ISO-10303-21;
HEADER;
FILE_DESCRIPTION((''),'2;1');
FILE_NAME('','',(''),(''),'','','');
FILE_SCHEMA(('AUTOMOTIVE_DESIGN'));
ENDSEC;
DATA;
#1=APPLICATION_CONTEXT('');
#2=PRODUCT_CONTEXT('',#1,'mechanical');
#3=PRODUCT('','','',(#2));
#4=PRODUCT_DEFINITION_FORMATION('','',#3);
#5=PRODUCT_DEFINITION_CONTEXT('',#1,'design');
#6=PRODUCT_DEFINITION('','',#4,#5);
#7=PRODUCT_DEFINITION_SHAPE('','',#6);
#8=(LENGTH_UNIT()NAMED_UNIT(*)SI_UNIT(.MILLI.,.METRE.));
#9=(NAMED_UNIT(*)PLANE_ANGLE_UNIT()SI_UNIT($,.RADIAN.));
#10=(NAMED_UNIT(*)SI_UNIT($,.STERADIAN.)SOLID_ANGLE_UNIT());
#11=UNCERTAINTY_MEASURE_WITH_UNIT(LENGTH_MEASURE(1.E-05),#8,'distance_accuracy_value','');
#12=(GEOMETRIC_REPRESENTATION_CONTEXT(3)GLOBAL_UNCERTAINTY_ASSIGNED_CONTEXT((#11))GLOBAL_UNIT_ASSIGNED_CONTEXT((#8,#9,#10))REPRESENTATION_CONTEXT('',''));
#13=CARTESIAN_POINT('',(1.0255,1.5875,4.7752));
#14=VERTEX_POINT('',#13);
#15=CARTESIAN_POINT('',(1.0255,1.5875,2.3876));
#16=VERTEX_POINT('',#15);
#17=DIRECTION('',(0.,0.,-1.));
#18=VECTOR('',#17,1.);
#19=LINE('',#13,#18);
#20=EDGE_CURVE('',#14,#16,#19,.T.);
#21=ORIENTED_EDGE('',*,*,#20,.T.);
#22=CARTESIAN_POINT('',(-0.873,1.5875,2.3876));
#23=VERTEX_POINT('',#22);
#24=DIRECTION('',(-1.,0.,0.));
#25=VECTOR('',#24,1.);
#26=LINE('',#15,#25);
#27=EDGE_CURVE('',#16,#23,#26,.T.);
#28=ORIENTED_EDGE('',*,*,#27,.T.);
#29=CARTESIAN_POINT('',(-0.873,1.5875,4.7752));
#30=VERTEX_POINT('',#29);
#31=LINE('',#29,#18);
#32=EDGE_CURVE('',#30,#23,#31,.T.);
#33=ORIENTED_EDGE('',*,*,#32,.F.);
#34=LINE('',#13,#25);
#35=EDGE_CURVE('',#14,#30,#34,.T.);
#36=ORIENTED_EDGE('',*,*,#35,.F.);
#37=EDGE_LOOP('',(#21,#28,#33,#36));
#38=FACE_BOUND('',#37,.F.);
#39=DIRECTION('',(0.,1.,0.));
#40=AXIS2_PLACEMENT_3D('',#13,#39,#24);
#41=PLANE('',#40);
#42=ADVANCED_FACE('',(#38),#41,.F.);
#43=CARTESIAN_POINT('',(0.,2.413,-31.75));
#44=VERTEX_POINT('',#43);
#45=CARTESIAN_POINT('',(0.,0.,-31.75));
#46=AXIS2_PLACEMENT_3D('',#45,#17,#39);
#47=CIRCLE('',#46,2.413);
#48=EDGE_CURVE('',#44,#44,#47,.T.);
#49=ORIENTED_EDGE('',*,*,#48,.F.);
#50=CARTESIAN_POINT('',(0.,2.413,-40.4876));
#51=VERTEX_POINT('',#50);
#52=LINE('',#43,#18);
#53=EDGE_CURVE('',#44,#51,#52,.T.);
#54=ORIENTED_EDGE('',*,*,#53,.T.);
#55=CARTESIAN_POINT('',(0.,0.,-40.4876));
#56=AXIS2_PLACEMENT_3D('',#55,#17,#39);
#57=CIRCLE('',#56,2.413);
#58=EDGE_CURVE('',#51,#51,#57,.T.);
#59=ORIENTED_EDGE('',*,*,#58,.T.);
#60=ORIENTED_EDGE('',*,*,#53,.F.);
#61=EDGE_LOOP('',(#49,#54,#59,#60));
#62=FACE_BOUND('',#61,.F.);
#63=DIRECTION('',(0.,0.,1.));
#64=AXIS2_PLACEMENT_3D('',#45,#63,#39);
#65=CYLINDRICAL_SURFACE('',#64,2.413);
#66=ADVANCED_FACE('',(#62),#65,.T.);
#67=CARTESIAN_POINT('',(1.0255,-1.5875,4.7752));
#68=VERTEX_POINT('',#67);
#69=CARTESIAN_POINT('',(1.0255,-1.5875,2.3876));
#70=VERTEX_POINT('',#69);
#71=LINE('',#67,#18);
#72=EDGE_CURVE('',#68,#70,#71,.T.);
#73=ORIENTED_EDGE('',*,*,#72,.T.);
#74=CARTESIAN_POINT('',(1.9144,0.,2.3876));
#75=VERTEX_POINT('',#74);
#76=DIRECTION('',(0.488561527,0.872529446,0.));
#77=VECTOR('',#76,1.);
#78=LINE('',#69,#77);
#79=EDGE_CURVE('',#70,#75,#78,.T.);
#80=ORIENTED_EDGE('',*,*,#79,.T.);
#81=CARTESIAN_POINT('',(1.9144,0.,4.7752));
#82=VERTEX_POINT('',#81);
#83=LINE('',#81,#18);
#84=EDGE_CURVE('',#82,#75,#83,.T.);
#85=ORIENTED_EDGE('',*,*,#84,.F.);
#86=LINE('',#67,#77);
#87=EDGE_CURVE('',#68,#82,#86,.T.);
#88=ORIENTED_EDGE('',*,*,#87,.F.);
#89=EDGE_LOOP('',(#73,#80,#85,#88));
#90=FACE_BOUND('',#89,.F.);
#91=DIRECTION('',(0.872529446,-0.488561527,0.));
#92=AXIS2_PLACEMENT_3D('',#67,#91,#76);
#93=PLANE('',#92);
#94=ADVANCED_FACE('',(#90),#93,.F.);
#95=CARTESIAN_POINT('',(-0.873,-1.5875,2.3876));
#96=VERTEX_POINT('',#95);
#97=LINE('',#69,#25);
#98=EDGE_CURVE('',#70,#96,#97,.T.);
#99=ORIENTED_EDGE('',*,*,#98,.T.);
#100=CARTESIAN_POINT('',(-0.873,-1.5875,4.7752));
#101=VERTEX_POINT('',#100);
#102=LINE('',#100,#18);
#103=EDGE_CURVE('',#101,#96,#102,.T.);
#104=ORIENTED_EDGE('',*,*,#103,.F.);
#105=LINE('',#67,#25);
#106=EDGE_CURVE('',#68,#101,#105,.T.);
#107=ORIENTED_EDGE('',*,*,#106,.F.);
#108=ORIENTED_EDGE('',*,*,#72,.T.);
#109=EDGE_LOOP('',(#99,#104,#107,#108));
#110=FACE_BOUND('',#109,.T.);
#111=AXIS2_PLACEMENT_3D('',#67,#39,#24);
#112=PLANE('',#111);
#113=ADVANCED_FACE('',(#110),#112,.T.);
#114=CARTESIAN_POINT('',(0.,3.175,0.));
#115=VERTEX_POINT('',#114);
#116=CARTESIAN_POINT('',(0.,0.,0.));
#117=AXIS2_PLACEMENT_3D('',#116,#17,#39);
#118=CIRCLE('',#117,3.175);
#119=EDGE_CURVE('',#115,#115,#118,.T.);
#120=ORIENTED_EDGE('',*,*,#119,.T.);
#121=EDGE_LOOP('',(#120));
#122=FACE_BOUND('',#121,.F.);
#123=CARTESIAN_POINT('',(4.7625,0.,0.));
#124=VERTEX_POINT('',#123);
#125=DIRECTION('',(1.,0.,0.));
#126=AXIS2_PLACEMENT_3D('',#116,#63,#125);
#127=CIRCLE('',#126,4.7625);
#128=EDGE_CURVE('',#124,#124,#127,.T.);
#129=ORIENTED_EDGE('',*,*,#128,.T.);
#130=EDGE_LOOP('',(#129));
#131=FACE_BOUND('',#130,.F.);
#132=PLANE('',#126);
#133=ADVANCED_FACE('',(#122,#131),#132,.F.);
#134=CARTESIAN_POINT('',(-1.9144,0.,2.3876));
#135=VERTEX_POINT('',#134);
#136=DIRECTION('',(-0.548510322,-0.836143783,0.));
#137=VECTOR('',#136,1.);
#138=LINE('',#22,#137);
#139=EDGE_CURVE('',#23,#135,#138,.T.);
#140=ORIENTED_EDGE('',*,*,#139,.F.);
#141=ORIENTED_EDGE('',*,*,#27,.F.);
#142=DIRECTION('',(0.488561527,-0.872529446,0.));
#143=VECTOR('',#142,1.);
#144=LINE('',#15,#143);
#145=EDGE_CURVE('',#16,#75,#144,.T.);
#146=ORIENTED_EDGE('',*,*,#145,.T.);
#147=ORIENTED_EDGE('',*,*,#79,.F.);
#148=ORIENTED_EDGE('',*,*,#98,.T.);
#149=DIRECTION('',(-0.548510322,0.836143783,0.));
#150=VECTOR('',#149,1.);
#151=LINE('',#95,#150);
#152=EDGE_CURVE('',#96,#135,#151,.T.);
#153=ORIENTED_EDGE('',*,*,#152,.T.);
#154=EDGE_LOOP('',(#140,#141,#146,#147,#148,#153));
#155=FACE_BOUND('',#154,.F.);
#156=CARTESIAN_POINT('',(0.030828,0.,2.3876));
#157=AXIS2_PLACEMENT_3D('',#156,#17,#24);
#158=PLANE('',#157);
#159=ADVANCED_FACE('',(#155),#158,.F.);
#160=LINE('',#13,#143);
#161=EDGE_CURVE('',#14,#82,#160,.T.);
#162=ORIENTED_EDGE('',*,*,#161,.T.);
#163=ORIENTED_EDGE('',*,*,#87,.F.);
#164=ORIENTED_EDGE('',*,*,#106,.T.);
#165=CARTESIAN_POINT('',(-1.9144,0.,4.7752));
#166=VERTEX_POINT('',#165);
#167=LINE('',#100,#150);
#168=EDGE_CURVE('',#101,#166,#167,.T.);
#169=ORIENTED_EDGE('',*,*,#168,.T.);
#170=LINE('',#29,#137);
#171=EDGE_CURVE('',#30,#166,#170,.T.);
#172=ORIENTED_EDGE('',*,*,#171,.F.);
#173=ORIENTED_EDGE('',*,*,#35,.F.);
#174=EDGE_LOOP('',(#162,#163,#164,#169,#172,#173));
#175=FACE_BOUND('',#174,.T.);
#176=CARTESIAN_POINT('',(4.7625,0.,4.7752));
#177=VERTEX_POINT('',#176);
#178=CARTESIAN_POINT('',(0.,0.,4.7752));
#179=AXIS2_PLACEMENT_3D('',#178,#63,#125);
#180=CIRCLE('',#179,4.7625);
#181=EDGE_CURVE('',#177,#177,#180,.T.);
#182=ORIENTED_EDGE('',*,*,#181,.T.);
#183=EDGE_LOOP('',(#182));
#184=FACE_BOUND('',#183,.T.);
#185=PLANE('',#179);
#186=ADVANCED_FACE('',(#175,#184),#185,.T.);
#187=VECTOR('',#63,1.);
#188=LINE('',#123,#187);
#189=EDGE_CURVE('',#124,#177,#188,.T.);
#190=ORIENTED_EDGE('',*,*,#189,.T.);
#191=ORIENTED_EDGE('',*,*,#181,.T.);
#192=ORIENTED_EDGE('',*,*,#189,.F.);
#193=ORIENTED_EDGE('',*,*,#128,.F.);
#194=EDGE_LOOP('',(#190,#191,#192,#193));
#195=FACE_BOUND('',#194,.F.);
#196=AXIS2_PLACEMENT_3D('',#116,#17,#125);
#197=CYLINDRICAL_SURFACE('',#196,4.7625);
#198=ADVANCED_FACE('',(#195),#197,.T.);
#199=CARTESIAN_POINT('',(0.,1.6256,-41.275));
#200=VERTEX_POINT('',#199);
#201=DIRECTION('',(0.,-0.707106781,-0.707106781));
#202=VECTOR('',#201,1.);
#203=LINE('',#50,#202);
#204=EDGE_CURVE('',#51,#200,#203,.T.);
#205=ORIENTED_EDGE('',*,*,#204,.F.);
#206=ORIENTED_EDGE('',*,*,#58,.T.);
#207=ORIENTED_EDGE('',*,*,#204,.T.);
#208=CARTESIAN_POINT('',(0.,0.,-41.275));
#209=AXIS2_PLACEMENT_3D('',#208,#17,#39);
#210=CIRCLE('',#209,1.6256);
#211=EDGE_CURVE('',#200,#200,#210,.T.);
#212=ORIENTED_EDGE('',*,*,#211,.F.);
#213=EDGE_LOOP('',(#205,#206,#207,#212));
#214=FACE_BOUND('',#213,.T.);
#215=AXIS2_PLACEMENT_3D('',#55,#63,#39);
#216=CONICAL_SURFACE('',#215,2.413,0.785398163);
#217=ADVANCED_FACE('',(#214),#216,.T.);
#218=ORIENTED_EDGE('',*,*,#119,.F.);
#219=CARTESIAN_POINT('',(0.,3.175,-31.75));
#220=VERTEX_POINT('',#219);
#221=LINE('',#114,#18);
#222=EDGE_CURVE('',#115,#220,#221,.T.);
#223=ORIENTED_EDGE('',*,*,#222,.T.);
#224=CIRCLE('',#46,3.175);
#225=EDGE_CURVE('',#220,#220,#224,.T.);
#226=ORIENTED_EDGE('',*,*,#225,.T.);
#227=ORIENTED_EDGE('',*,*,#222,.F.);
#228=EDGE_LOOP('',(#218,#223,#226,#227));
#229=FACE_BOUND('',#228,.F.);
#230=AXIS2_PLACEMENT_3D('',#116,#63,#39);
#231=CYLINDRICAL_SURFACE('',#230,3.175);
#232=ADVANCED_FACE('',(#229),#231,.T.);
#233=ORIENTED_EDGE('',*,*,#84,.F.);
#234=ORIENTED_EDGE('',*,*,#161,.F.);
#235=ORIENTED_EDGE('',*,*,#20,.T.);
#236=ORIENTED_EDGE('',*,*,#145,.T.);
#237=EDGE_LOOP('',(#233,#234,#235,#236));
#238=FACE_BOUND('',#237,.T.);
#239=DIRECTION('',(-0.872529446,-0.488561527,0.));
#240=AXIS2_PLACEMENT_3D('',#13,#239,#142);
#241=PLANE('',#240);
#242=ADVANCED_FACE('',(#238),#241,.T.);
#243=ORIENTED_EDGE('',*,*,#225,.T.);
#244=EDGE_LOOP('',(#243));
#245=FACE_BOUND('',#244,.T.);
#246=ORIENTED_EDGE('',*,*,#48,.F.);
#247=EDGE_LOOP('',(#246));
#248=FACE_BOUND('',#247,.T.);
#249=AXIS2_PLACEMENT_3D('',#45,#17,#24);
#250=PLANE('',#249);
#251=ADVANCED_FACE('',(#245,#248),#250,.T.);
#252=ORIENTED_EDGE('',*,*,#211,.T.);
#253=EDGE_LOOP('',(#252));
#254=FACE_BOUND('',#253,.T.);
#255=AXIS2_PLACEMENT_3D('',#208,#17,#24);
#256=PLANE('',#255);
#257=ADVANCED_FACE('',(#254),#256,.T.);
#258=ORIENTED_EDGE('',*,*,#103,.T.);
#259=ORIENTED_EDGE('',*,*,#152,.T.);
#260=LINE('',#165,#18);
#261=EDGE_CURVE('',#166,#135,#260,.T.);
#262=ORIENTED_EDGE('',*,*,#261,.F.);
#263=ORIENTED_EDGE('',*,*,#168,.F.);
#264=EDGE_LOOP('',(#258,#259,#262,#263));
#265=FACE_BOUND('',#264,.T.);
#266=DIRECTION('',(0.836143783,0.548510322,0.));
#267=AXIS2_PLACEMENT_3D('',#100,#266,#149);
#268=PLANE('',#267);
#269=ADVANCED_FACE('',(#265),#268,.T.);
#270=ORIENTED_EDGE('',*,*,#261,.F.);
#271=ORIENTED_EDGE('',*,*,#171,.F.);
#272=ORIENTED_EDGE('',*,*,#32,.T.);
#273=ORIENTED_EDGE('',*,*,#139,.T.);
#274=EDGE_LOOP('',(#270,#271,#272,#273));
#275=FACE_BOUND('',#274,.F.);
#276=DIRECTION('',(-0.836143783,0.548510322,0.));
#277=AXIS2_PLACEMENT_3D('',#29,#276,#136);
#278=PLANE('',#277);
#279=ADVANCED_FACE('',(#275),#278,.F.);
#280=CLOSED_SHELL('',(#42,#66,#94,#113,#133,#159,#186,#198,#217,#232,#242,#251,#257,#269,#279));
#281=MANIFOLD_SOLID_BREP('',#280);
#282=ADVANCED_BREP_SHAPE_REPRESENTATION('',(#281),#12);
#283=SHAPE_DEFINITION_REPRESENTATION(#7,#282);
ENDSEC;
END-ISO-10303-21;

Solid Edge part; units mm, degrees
sketch "Sketch1" plane through (0, 0, 0) normal (0, 0, 1) x (1, 0, 0)
  circle A0 centre (0, 0) radius 4.7625
  dimension "D1" = 9.525
extrude "Protrusion1" add sketch "Sketch1" along normal blind 4.7752
sketch "Sketch2" plane through (0, 0, 0) normal (0, 0, -1) x (0, 1, 0)
  circle A0 centre (0, 0) radius 3.175
  dimension "D1" = 6.35
extrude "Protrusion2" add sketch "Sketch2" along normal blind 31.75
sketch "Sketch3" plane through (0, 0, -31.75) normal (0, 0, -1) x (0, 1, 0)
  circle A0 centre (0, 0) radius 2.413
  dimension "D1" = 4.826
extrude "Protrusion3" add sketch "Sketch3" along normal blind 9.525
sketch "Sketch4" plane through (0, 0, 4.7752) normal (0, 0, 1) x (0, 1, 0)
  line L0 (-1.5875, 0.873) -> (0, 1.9144)
  line L1 (-1.5875, -1.0255) -> (-1.5875, 0.873)
  line L2 (-1.5875, -1.0255) -> (0, -1.9144)
  line L3 (1.5875, -1.0255) -> (0, -1.9144)
  line L4 (1.5875, -1.0255) -> (1.5875, 0.873)
  line L5 (1.5875, 0.873) -> (0, 1.9144)
  dimension "D1" = 3.175
extrude "Cutout1" cut sketch "Sketch4" against normal blind 2.3876
chamfer "Chamfer1" distance 0.7874 angle 45 1 edges at (0, -2.413, -41.275)
properties part number "24102108"
